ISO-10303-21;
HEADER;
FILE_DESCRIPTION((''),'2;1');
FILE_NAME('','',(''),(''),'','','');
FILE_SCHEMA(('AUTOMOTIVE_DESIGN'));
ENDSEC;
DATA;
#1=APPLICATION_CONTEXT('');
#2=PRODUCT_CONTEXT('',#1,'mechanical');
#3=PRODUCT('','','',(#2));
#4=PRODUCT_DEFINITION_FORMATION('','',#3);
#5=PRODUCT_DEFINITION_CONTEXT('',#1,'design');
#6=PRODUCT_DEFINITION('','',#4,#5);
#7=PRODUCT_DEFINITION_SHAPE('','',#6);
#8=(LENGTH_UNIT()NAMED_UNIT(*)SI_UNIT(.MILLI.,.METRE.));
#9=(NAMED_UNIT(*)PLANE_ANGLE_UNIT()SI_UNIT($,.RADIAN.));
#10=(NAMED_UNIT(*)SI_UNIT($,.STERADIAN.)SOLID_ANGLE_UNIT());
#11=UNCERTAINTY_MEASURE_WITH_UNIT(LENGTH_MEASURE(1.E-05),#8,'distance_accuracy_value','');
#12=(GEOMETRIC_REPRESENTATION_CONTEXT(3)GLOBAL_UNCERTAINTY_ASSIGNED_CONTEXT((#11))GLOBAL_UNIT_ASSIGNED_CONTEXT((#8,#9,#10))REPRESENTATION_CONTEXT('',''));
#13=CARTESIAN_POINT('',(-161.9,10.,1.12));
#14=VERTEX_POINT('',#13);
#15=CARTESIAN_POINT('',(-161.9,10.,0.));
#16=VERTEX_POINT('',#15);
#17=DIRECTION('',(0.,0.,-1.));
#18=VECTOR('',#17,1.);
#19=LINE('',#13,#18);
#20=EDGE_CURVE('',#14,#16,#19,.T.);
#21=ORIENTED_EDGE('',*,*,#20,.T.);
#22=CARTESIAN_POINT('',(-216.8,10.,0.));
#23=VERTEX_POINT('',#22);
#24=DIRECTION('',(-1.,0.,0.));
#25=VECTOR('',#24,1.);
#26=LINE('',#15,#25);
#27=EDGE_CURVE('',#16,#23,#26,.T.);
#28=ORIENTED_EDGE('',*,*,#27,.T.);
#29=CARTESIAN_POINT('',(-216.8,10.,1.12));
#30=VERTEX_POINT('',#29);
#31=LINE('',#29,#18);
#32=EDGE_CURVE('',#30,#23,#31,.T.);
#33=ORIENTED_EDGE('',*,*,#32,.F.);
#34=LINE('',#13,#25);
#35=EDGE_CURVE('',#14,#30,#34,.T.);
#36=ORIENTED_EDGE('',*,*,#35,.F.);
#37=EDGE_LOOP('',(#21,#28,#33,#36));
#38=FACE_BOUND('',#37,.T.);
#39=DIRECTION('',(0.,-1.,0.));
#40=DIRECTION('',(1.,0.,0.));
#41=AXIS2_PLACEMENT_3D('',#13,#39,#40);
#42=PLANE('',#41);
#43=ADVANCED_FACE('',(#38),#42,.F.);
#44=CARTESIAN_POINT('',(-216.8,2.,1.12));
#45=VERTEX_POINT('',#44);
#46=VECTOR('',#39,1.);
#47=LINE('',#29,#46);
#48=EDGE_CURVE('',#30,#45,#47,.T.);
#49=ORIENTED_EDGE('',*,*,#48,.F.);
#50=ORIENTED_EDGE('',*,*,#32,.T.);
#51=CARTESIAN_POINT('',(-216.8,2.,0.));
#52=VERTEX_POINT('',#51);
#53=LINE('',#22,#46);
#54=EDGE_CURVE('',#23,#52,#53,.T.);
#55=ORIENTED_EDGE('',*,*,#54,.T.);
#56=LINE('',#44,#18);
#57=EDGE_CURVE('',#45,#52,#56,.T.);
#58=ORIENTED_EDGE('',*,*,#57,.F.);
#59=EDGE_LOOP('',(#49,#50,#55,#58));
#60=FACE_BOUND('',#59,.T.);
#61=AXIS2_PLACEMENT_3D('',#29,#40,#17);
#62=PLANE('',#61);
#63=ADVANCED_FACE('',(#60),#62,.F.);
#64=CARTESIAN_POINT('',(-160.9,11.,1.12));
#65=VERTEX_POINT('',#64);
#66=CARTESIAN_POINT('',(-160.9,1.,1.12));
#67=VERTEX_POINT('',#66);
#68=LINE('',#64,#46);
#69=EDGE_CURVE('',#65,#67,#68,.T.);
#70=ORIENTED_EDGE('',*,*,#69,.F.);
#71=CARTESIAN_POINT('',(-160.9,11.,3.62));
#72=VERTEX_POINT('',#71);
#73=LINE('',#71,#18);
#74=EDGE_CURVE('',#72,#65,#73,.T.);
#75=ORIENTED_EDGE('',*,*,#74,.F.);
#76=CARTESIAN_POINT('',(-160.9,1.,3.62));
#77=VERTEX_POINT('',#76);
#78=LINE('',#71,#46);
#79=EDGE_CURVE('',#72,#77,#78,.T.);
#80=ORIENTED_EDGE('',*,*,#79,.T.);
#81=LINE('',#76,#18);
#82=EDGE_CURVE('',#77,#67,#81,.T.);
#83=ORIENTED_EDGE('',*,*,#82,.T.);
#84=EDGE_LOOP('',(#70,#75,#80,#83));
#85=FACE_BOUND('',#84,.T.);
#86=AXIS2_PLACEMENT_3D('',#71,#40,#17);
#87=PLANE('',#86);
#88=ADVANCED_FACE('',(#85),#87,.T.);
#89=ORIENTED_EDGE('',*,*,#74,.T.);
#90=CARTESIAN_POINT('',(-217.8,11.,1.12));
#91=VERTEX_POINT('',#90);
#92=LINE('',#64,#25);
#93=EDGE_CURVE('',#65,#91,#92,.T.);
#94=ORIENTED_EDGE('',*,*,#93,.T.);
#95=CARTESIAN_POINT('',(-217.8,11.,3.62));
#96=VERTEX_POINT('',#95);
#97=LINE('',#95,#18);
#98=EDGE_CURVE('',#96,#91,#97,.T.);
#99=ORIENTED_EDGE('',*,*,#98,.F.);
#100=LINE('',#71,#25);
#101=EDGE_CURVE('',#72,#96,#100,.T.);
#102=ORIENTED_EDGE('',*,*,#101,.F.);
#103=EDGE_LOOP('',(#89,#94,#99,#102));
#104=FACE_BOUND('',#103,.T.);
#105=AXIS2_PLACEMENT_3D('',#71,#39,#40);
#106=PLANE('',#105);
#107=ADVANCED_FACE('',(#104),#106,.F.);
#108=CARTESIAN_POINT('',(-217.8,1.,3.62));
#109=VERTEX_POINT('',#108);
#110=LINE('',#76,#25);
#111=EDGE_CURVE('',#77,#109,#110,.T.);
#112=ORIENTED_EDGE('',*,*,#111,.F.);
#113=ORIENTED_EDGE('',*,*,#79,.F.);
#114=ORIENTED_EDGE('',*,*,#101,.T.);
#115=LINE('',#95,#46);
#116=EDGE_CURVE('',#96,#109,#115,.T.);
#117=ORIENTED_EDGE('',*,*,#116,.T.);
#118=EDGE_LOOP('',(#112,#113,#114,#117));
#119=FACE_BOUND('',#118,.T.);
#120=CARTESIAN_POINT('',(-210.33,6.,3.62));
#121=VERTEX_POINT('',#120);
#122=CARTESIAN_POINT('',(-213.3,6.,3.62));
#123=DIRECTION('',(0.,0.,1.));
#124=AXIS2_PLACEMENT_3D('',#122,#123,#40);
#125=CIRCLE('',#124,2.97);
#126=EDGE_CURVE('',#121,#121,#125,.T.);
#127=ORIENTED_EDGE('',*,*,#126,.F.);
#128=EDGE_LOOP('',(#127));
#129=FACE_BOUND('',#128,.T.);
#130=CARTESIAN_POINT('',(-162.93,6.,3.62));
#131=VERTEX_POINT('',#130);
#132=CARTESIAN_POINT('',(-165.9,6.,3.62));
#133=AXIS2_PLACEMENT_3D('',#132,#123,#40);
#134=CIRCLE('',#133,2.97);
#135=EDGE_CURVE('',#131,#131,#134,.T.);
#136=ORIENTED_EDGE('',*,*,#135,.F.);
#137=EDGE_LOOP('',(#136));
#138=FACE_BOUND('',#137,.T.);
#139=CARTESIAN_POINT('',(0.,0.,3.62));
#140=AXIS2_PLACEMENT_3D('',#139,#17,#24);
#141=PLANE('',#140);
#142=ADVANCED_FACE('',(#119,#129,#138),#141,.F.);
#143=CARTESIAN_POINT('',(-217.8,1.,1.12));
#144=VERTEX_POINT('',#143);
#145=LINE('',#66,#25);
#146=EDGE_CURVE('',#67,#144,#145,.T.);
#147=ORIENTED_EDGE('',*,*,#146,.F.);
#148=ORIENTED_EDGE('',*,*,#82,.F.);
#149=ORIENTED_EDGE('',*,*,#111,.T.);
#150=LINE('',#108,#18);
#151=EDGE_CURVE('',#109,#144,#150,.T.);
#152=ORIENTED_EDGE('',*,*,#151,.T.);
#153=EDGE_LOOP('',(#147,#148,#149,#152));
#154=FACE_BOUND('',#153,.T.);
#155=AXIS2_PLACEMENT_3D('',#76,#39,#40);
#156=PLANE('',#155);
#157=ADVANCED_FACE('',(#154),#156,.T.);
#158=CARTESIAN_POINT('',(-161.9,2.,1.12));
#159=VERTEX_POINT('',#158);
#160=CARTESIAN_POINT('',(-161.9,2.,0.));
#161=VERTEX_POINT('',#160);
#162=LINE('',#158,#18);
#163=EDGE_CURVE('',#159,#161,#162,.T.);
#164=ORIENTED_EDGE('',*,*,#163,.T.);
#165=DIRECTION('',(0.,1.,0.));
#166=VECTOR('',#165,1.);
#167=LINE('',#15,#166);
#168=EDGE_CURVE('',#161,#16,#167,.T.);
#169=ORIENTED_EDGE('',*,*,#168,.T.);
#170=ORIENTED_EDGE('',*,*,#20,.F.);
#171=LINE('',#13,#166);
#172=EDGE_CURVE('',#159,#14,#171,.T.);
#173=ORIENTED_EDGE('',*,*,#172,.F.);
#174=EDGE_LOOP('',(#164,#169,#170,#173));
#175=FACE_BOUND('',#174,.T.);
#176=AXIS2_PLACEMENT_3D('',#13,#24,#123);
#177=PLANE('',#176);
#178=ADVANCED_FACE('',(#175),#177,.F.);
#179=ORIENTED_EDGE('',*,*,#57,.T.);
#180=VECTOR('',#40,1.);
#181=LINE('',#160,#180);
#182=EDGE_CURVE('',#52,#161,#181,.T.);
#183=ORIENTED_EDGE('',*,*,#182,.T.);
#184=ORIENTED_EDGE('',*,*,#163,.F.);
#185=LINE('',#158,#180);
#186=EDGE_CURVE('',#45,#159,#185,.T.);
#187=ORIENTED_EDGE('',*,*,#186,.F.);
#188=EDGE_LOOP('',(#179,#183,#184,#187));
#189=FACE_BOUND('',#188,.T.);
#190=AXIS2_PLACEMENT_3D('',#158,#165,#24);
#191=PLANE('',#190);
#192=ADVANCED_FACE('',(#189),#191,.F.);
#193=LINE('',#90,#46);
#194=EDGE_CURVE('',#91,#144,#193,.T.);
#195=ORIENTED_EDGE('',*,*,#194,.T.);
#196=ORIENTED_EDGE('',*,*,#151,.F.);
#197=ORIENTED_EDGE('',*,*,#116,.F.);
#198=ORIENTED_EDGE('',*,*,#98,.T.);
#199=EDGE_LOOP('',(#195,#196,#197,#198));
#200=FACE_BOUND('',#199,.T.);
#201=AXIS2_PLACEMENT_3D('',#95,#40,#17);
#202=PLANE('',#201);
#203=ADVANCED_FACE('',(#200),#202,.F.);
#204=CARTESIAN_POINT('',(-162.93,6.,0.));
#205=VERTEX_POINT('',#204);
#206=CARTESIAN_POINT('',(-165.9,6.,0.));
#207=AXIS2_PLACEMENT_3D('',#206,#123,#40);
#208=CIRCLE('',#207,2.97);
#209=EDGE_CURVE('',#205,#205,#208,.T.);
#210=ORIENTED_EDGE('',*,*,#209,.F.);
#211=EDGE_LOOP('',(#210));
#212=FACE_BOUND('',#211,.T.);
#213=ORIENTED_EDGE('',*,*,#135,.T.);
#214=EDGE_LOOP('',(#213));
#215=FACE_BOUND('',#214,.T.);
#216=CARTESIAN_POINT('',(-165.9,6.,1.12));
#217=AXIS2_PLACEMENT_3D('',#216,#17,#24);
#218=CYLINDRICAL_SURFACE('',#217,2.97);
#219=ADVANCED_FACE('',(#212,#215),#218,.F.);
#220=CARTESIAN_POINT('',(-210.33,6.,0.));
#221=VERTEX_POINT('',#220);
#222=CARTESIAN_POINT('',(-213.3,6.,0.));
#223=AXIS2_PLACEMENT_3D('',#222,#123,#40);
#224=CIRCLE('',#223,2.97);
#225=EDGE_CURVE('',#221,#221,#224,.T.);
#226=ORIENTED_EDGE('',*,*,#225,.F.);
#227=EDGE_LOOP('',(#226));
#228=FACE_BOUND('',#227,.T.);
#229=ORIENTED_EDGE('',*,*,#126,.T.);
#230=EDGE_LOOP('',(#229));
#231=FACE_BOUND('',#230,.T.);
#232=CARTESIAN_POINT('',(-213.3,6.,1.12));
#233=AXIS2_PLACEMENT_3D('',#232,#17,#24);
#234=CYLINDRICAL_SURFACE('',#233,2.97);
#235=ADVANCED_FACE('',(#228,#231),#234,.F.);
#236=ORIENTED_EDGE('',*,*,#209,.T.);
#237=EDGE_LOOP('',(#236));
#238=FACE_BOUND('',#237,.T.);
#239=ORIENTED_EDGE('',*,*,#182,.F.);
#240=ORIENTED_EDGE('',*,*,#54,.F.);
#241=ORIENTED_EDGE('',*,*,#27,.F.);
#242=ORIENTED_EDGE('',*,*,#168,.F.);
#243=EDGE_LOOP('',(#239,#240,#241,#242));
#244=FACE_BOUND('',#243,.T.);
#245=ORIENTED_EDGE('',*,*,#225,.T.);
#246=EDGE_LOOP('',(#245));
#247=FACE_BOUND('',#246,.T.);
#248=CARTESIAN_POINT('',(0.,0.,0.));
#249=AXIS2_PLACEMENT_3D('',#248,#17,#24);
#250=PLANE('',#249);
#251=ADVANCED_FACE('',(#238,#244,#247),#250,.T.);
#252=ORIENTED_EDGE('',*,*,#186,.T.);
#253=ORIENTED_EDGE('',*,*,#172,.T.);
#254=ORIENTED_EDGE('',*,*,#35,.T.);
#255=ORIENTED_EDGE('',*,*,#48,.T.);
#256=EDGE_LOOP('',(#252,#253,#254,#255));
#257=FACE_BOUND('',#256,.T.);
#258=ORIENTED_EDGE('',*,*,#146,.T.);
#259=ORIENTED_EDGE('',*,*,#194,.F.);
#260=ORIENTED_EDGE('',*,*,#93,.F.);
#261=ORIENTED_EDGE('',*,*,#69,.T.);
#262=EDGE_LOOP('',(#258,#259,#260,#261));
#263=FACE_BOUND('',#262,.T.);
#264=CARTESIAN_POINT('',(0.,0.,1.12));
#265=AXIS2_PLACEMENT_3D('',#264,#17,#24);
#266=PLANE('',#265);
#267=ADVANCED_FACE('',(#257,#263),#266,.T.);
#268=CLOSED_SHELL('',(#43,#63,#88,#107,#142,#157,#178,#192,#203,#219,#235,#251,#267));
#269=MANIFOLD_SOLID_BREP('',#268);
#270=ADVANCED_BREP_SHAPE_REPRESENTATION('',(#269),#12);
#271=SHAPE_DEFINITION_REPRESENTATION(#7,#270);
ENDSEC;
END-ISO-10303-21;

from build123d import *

# Parameters (mm, degrees)
SKETCH1_W           = 54.9
SKETCH1_H           = 8
SKETCH1_R           = 2.97
BOSS_EXTRUDE1_DEPTH = 1.12
SKETCH2_W           = 56.9
SKETCH2_H           = 10
SKETCH2_R           = 2.97
BOSS_EXTRUDE3_DEPTH = 2.5


with BuildPart() as part:
    # Sketch1 → Boss-Extrude1 (new body)
    with BuildSketch(Plane.XY):
        with Locations((-189.35, 6)):
            Rectangle(SKETCH1_W, SKETCH1_H)
        with Locations((-165.9, 6)):
            Circle(SKETCH1_R, mode=Mode.SUBTRACT)
        with Locations((-213.3, 6)):
            Circle(SKETCH1_R, mode=Mode.SUBTRACT)
    extrude(amount=BOSS_EXTRUDE1_DEPTH)

    # Sketch2 → Boss-Extrude3 (add)
    with BuildSketch(Plane.XY.offset(1.12)):
        with Locations((-189.35, 6)):
            Rectangle(SKETCH2_W, SKETCH2_H)
        with Locations((-213.3, 6)):
            Circle(SKETCH2_R, mode=Mode.SUBTRACT)
        with Locations((-165.9, 6)):
            Circle(SKETCH2_R, mode=Mode.SUBTRACT)
    extrude(amount=BOSS_EXTRUDE3_DEPTH)


solid = part.part
